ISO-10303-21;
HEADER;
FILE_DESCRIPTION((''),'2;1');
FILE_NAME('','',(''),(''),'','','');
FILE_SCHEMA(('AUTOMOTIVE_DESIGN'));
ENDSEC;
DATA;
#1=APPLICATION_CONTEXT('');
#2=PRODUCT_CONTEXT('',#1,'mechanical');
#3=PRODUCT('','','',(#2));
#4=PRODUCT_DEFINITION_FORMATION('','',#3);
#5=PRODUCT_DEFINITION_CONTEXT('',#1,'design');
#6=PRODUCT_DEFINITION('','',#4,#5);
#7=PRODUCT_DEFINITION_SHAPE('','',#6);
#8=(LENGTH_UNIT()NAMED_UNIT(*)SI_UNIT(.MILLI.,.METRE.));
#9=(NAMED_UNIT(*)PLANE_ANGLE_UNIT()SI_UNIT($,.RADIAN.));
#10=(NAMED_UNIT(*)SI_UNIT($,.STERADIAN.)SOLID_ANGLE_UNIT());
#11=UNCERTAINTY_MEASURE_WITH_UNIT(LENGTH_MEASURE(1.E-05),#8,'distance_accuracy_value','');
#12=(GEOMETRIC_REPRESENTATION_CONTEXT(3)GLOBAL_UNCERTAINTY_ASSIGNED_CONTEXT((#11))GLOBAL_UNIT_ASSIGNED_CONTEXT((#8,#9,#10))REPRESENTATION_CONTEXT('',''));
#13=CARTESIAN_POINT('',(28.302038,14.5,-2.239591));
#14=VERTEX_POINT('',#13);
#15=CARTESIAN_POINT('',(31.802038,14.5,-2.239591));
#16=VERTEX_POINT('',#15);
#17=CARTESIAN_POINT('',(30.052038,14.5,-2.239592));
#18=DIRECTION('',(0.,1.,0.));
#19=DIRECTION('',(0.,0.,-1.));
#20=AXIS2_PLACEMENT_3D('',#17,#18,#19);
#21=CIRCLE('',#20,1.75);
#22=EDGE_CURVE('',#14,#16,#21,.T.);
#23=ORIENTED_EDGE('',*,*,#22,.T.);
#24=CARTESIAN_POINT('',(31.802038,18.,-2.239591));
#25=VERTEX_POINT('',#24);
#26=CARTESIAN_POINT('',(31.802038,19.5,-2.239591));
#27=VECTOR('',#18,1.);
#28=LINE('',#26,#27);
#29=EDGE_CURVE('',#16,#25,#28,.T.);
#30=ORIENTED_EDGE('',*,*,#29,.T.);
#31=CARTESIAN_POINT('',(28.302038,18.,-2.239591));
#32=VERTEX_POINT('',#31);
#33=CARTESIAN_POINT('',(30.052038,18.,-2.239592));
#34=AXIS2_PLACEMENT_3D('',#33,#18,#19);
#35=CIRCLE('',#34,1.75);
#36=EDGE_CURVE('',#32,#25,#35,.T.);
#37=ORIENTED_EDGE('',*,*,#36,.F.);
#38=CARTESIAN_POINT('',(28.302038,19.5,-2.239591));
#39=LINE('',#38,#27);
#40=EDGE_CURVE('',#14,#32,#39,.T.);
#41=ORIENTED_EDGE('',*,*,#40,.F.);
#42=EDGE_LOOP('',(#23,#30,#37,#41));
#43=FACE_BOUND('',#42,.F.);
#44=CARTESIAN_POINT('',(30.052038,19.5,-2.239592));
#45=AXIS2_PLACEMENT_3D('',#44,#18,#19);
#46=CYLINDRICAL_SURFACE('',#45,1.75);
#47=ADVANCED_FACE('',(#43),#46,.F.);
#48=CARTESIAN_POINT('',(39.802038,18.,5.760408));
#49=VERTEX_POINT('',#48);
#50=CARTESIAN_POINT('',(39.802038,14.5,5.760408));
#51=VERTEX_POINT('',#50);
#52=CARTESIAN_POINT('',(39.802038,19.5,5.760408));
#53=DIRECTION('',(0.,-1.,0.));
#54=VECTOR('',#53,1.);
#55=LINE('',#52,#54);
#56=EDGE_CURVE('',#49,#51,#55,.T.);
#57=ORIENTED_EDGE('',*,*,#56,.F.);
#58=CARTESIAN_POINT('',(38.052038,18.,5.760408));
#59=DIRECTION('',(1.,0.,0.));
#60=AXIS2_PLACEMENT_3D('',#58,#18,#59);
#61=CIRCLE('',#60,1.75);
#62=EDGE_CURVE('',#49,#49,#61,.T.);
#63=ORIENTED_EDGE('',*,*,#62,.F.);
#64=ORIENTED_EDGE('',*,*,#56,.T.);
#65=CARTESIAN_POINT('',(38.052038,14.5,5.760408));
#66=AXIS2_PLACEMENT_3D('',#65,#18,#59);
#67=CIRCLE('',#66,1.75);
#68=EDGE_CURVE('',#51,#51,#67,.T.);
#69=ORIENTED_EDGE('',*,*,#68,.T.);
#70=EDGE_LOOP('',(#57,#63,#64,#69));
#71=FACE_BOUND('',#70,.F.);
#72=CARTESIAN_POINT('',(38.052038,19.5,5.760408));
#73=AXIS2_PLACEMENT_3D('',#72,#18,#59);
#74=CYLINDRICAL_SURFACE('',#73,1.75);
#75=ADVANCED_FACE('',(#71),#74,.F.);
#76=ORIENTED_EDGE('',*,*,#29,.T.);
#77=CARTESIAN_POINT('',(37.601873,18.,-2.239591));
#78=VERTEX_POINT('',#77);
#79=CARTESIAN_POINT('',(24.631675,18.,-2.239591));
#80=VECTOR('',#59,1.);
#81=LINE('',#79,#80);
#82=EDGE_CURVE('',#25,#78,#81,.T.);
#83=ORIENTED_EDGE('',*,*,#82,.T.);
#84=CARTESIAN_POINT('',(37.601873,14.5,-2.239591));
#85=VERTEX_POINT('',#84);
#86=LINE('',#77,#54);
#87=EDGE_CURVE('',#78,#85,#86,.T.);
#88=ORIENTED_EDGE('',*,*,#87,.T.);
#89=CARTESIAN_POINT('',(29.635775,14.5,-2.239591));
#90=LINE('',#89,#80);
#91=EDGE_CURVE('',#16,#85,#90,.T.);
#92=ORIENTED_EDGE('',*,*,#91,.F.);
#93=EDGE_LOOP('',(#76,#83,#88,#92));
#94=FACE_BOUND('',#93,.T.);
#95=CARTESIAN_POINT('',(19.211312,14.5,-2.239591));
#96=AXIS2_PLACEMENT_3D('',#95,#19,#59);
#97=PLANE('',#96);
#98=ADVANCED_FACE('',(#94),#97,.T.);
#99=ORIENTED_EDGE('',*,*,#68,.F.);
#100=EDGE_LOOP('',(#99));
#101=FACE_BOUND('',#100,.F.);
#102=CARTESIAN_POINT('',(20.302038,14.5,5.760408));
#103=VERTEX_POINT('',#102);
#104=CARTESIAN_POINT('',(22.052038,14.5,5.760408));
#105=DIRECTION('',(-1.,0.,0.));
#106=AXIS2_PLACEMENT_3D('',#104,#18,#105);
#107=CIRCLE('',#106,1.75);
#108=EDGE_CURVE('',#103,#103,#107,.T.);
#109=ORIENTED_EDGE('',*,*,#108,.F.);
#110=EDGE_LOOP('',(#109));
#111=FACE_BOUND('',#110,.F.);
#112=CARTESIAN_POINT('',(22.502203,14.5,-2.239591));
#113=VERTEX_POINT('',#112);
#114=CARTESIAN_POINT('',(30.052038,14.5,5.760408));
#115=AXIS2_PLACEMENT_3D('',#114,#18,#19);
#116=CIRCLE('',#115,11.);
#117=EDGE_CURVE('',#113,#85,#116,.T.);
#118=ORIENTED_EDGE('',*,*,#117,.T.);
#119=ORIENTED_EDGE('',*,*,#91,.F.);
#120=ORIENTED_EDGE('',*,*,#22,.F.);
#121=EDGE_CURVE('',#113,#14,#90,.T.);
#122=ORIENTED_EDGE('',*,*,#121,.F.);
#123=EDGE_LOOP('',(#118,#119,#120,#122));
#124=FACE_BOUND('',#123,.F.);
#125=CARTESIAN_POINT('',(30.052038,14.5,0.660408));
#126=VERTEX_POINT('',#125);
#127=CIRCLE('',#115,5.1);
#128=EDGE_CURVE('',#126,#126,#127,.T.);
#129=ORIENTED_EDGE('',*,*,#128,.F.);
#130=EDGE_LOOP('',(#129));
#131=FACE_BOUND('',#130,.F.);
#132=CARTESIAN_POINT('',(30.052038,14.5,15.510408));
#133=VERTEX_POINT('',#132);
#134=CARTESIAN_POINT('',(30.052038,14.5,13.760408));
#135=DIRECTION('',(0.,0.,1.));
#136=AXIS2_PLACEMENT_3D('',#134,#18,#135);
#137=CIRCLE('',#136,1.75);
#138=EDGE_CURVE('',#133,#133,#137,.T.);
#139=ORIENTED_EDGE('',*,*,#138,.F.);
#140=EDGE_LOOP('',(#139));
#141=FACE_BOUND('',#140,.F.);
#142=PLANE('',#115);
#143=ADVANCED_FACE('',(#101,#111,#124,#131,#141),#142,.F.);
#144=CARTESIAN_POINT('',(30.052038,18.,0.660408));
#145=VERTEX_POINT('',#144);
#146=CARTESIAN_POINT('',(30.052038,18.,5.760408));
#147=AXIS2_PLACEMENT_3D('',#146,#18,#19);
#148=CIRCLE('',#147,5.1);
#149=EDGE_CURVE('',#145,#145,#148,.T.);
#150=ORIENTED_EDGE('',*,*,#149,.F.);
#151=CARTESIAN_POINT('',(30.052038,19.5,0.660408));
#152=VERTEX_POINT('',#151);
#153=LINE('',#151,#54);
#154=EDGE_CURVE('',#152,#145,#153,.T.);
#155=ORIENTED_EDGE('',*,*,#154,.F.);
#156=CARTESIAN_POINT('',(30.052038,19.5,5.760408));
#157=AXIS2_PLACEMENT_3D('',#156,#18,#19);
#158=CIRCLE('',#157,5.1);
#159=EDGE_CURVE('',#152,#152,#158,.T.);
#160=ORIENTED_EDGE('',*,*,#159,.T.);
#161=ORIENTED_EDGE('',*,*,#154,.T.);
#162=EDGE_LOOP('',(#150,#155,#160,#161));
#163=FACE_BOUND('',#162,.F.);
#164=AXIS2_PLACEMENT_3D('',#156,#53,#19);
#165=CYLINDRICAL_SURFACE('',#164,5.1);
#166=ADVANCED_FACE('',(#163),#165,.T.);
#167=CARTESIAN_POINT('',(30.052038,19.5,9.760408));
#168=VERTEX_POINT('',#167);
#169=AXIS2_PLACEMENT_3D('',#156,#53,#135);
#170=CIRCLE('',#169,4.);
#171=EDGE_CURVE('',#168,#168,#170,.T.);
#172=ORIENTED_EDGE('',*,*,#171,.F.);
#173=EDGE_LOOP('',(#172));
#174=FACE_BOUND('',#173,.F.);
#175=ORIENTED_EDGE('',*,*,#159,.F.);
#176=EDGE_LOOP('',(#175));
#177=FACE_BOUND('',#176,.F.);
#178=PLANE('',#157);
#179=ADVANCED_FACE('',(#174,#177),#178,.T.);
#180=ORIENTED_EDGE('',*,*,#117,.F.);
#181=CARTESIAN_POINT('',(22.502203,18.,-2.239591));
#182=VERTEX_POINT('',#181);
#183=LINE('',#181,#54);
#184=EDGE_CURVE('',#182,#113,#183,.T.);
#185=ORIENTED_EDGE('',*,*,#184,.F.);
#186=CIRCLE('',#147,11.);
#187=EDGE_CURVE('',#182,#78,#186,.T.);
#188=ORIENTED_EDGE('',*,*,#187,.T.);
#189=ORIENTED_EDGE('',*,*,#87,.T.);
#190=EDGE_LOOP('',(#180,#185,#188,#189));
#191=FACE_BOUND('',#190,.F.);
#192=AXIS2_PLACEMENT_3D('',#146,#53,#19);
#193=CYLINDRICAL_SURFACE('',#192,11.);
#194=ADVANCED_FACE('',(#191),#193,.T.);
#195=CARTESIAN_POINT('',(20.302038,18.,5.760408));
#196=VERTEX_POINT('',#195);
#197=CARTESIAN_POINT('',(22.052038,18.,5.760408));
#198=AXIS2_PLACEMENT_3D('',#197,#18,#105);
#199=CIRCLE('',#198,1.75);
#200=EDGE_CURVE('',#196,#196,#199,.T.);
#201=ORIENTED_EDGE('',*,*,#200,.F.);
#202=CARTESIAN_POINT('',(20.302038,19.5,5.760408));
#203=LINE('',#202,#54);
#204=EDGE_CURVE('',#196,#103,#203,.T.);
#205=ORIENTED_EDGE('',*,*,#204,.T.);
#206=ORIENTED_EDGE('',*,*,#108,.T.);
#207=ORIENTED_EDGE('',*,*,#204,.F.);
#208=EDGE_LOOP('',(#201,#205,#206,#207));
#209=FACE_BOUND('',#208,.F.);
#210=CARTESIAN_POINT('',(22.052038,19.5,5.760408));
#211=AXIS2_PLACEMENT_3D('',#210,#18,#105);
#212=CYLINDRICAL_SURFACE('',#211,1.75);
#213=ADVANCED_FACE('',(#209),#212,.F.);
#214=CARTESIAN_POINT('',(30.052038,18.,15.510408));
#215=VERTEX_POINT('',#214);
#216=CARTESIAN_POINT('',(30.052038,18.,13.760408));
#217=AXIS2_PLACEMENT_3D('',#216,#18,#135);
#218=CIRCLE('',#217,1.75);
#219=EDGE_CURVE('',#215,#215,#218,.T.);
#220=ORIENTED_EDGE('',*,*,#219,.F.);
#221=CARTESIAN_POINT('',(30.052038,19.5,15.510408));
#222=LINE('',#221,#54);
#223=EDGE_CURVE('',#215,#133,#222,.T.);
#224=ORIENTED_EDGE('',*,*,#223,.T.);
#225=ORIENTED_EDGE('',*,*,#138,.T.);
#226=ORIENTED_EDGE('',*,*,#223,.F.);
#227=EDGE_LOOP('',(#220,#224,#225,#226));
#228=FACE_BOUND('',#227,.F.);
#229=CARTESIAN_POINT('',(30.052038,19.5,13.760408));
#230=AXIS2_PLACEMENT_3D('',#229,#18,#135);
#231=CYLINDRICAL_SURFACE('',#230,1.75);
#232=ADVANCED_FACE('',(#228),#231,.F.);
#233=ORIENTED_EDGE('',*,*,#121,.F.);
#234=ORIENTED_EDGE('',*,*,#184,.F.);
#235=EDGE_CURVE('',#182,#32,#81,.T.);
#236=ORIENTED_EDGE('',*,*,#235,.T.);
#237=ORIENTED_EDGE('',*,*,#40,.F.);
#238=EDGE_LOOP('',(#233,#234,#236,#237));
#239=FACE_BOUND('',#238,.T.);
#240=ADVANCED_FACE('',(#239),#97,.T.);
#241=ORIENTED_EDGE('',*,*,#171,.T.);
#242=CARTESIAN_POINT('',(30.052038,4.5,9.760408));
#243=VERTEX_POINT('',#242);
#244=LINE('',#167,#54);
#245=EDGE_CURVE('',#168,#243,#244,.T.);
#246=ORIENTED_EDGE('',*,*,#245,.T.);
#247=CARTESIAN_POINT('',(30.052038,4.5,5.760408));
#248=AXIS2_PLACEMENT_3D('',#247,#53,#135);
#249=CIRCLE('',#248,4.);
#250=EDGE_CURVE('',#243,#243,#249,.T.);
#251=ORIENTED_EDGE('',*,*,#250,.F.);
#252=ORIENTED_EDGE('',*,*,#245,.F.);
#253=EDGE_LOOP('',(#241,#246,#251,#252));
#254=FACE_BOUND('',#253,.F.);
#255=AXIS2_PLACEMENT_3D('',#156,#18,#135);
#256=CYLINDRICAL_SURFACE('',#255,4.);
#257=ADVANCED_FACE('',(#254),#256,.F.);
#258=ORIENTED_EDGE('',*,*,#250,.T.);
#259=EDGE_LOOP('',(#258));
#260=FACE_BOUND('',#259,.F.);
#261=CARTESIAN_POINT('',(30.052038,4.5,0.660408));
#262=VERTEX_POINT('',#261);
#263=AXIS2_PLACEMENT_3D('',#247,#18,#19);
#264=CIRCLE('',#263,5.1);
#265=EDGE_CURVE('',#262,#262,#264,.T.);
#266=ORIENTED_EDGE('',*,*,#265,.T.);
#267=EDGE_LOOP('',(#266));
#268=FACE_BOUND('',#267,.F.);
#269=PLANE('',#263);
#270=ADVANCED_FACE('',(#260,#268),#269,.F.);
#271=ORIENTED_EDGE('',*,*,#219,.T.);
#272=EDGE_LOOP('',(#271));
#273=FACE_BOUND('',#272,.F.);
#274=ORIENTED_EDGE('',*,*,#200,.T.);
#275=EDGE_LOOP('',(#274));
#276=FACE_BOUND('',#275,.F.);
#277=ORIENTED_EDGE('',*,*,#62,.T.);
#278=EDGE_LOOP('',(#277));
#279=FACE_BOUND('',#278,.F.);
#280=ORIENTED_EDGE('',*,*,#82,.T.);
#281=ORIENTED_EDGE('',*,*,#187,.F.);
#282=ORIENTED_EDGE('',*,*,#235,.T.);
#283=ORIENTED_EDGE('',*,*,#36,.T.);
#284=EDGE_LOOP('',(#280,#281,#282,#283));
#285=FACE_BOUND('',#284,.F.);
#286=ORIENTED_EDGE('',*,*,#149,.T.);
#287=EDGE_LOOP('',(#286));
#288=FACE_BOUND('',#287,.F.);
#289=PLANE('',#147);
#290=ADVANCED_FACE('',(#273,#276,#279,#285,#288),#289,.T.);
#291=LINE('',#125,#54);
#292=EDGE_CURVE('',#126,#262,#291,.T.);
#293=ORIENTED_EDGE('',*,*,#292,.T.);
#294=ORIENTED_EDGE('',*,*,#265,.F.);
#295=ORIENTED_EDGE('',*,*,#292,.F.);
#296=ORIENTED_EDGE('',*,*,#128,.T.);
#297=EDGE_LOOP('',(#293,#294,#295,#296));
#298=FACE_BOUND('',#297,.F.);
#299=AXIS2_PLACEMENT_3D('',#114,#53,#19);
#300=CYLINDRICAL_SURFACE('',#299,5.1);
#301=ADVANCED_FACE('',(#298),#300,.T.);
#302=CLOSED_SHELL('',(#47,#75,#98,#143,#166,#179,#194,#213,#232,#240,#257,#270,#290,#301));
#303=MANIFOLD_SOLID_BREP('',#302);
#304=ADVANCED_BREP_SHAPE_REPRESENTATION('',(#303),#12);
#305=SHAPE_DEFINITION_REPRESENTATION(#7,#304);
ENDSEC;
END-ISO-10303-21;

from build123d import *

# Parameters (mm, degrees)
SKETCH151_R             = 4
SKETCH151_R_2           = 1.75
POCKET057_DEPTH         = 84.080664
POLARPATTERN010_COUNT   = 4
SKETCH176_W             = 20.848927
SKETCH176_H             = 11.039979
POCKET062_DEPTH         = 5.001
BODY104_PLACEMENT_ANGLE = 270


with BuildPart() as part:
    # Sketch150 → Revolution007 (revolve)
    with BuildSketch(Plane.YZ):
        Polygon((0, 0), (0, 15), (5.1, 15), (5.1, 13.5), (11, 13.5), (11, 10), (5.1, 10), (5.1, 0), align=None)
    revolve(axis=Axis((0, 0, 0), (0, 0, 1)))

    # Sketch151 (on Face1 of Revolution007) → Pocket057 (cut, through all)
    with BuildSketch(Plane(origin=(0, 0, 15), x_dir=(0, -1, 0), z_dir=(0, 0, 1))):
        Circle(SKETCH151_R)
        with Locations((8, 0)):
            Circle(SKETCH151_R_2)
    pocket057 = extrude(amount=-POCKET057_DEPTH, mode=Mode.SUBTRACT)

    # PolarPattern010: Pocket057 ×4 about axis
    polarpattern010_axis = Axis((0, 0, 15), (0, 0, 1))
    for i in range(1, POLARPATTERN010_COUNT):
        add(pocket057.rotate(polarpattern010_axis, i * 360 / POLARPATTERN010_COUNT), mode=Mode.SUBTRACT)

    # Sketch176 (on Face9 of Clone047) → Pocket062 (cut, through all)
    with BuildSketch(Plane(origin=(0, 0, 10), x_dir=(1, 0, 0), z_dir=(0, 0, -1))):
        with Locations((-0.416263, -13.519989)):
            Rectangle(SKETCH176_W, SKETCH176_H)
    extrude(amount=-POCKET062_DEPTH, mode=Mode.SUBTRACT)


with BuildPart() as part_1:
    # Body104 placement: moved
    add(part.part.moved(Location((30.052038, 4.5, 5.760408))).rotate(Axis((30.052038, 4.5, 5.760408), (1, 0, 0)), BODY104_PLACEMENT_ANGLE))


solid = part_1.part
